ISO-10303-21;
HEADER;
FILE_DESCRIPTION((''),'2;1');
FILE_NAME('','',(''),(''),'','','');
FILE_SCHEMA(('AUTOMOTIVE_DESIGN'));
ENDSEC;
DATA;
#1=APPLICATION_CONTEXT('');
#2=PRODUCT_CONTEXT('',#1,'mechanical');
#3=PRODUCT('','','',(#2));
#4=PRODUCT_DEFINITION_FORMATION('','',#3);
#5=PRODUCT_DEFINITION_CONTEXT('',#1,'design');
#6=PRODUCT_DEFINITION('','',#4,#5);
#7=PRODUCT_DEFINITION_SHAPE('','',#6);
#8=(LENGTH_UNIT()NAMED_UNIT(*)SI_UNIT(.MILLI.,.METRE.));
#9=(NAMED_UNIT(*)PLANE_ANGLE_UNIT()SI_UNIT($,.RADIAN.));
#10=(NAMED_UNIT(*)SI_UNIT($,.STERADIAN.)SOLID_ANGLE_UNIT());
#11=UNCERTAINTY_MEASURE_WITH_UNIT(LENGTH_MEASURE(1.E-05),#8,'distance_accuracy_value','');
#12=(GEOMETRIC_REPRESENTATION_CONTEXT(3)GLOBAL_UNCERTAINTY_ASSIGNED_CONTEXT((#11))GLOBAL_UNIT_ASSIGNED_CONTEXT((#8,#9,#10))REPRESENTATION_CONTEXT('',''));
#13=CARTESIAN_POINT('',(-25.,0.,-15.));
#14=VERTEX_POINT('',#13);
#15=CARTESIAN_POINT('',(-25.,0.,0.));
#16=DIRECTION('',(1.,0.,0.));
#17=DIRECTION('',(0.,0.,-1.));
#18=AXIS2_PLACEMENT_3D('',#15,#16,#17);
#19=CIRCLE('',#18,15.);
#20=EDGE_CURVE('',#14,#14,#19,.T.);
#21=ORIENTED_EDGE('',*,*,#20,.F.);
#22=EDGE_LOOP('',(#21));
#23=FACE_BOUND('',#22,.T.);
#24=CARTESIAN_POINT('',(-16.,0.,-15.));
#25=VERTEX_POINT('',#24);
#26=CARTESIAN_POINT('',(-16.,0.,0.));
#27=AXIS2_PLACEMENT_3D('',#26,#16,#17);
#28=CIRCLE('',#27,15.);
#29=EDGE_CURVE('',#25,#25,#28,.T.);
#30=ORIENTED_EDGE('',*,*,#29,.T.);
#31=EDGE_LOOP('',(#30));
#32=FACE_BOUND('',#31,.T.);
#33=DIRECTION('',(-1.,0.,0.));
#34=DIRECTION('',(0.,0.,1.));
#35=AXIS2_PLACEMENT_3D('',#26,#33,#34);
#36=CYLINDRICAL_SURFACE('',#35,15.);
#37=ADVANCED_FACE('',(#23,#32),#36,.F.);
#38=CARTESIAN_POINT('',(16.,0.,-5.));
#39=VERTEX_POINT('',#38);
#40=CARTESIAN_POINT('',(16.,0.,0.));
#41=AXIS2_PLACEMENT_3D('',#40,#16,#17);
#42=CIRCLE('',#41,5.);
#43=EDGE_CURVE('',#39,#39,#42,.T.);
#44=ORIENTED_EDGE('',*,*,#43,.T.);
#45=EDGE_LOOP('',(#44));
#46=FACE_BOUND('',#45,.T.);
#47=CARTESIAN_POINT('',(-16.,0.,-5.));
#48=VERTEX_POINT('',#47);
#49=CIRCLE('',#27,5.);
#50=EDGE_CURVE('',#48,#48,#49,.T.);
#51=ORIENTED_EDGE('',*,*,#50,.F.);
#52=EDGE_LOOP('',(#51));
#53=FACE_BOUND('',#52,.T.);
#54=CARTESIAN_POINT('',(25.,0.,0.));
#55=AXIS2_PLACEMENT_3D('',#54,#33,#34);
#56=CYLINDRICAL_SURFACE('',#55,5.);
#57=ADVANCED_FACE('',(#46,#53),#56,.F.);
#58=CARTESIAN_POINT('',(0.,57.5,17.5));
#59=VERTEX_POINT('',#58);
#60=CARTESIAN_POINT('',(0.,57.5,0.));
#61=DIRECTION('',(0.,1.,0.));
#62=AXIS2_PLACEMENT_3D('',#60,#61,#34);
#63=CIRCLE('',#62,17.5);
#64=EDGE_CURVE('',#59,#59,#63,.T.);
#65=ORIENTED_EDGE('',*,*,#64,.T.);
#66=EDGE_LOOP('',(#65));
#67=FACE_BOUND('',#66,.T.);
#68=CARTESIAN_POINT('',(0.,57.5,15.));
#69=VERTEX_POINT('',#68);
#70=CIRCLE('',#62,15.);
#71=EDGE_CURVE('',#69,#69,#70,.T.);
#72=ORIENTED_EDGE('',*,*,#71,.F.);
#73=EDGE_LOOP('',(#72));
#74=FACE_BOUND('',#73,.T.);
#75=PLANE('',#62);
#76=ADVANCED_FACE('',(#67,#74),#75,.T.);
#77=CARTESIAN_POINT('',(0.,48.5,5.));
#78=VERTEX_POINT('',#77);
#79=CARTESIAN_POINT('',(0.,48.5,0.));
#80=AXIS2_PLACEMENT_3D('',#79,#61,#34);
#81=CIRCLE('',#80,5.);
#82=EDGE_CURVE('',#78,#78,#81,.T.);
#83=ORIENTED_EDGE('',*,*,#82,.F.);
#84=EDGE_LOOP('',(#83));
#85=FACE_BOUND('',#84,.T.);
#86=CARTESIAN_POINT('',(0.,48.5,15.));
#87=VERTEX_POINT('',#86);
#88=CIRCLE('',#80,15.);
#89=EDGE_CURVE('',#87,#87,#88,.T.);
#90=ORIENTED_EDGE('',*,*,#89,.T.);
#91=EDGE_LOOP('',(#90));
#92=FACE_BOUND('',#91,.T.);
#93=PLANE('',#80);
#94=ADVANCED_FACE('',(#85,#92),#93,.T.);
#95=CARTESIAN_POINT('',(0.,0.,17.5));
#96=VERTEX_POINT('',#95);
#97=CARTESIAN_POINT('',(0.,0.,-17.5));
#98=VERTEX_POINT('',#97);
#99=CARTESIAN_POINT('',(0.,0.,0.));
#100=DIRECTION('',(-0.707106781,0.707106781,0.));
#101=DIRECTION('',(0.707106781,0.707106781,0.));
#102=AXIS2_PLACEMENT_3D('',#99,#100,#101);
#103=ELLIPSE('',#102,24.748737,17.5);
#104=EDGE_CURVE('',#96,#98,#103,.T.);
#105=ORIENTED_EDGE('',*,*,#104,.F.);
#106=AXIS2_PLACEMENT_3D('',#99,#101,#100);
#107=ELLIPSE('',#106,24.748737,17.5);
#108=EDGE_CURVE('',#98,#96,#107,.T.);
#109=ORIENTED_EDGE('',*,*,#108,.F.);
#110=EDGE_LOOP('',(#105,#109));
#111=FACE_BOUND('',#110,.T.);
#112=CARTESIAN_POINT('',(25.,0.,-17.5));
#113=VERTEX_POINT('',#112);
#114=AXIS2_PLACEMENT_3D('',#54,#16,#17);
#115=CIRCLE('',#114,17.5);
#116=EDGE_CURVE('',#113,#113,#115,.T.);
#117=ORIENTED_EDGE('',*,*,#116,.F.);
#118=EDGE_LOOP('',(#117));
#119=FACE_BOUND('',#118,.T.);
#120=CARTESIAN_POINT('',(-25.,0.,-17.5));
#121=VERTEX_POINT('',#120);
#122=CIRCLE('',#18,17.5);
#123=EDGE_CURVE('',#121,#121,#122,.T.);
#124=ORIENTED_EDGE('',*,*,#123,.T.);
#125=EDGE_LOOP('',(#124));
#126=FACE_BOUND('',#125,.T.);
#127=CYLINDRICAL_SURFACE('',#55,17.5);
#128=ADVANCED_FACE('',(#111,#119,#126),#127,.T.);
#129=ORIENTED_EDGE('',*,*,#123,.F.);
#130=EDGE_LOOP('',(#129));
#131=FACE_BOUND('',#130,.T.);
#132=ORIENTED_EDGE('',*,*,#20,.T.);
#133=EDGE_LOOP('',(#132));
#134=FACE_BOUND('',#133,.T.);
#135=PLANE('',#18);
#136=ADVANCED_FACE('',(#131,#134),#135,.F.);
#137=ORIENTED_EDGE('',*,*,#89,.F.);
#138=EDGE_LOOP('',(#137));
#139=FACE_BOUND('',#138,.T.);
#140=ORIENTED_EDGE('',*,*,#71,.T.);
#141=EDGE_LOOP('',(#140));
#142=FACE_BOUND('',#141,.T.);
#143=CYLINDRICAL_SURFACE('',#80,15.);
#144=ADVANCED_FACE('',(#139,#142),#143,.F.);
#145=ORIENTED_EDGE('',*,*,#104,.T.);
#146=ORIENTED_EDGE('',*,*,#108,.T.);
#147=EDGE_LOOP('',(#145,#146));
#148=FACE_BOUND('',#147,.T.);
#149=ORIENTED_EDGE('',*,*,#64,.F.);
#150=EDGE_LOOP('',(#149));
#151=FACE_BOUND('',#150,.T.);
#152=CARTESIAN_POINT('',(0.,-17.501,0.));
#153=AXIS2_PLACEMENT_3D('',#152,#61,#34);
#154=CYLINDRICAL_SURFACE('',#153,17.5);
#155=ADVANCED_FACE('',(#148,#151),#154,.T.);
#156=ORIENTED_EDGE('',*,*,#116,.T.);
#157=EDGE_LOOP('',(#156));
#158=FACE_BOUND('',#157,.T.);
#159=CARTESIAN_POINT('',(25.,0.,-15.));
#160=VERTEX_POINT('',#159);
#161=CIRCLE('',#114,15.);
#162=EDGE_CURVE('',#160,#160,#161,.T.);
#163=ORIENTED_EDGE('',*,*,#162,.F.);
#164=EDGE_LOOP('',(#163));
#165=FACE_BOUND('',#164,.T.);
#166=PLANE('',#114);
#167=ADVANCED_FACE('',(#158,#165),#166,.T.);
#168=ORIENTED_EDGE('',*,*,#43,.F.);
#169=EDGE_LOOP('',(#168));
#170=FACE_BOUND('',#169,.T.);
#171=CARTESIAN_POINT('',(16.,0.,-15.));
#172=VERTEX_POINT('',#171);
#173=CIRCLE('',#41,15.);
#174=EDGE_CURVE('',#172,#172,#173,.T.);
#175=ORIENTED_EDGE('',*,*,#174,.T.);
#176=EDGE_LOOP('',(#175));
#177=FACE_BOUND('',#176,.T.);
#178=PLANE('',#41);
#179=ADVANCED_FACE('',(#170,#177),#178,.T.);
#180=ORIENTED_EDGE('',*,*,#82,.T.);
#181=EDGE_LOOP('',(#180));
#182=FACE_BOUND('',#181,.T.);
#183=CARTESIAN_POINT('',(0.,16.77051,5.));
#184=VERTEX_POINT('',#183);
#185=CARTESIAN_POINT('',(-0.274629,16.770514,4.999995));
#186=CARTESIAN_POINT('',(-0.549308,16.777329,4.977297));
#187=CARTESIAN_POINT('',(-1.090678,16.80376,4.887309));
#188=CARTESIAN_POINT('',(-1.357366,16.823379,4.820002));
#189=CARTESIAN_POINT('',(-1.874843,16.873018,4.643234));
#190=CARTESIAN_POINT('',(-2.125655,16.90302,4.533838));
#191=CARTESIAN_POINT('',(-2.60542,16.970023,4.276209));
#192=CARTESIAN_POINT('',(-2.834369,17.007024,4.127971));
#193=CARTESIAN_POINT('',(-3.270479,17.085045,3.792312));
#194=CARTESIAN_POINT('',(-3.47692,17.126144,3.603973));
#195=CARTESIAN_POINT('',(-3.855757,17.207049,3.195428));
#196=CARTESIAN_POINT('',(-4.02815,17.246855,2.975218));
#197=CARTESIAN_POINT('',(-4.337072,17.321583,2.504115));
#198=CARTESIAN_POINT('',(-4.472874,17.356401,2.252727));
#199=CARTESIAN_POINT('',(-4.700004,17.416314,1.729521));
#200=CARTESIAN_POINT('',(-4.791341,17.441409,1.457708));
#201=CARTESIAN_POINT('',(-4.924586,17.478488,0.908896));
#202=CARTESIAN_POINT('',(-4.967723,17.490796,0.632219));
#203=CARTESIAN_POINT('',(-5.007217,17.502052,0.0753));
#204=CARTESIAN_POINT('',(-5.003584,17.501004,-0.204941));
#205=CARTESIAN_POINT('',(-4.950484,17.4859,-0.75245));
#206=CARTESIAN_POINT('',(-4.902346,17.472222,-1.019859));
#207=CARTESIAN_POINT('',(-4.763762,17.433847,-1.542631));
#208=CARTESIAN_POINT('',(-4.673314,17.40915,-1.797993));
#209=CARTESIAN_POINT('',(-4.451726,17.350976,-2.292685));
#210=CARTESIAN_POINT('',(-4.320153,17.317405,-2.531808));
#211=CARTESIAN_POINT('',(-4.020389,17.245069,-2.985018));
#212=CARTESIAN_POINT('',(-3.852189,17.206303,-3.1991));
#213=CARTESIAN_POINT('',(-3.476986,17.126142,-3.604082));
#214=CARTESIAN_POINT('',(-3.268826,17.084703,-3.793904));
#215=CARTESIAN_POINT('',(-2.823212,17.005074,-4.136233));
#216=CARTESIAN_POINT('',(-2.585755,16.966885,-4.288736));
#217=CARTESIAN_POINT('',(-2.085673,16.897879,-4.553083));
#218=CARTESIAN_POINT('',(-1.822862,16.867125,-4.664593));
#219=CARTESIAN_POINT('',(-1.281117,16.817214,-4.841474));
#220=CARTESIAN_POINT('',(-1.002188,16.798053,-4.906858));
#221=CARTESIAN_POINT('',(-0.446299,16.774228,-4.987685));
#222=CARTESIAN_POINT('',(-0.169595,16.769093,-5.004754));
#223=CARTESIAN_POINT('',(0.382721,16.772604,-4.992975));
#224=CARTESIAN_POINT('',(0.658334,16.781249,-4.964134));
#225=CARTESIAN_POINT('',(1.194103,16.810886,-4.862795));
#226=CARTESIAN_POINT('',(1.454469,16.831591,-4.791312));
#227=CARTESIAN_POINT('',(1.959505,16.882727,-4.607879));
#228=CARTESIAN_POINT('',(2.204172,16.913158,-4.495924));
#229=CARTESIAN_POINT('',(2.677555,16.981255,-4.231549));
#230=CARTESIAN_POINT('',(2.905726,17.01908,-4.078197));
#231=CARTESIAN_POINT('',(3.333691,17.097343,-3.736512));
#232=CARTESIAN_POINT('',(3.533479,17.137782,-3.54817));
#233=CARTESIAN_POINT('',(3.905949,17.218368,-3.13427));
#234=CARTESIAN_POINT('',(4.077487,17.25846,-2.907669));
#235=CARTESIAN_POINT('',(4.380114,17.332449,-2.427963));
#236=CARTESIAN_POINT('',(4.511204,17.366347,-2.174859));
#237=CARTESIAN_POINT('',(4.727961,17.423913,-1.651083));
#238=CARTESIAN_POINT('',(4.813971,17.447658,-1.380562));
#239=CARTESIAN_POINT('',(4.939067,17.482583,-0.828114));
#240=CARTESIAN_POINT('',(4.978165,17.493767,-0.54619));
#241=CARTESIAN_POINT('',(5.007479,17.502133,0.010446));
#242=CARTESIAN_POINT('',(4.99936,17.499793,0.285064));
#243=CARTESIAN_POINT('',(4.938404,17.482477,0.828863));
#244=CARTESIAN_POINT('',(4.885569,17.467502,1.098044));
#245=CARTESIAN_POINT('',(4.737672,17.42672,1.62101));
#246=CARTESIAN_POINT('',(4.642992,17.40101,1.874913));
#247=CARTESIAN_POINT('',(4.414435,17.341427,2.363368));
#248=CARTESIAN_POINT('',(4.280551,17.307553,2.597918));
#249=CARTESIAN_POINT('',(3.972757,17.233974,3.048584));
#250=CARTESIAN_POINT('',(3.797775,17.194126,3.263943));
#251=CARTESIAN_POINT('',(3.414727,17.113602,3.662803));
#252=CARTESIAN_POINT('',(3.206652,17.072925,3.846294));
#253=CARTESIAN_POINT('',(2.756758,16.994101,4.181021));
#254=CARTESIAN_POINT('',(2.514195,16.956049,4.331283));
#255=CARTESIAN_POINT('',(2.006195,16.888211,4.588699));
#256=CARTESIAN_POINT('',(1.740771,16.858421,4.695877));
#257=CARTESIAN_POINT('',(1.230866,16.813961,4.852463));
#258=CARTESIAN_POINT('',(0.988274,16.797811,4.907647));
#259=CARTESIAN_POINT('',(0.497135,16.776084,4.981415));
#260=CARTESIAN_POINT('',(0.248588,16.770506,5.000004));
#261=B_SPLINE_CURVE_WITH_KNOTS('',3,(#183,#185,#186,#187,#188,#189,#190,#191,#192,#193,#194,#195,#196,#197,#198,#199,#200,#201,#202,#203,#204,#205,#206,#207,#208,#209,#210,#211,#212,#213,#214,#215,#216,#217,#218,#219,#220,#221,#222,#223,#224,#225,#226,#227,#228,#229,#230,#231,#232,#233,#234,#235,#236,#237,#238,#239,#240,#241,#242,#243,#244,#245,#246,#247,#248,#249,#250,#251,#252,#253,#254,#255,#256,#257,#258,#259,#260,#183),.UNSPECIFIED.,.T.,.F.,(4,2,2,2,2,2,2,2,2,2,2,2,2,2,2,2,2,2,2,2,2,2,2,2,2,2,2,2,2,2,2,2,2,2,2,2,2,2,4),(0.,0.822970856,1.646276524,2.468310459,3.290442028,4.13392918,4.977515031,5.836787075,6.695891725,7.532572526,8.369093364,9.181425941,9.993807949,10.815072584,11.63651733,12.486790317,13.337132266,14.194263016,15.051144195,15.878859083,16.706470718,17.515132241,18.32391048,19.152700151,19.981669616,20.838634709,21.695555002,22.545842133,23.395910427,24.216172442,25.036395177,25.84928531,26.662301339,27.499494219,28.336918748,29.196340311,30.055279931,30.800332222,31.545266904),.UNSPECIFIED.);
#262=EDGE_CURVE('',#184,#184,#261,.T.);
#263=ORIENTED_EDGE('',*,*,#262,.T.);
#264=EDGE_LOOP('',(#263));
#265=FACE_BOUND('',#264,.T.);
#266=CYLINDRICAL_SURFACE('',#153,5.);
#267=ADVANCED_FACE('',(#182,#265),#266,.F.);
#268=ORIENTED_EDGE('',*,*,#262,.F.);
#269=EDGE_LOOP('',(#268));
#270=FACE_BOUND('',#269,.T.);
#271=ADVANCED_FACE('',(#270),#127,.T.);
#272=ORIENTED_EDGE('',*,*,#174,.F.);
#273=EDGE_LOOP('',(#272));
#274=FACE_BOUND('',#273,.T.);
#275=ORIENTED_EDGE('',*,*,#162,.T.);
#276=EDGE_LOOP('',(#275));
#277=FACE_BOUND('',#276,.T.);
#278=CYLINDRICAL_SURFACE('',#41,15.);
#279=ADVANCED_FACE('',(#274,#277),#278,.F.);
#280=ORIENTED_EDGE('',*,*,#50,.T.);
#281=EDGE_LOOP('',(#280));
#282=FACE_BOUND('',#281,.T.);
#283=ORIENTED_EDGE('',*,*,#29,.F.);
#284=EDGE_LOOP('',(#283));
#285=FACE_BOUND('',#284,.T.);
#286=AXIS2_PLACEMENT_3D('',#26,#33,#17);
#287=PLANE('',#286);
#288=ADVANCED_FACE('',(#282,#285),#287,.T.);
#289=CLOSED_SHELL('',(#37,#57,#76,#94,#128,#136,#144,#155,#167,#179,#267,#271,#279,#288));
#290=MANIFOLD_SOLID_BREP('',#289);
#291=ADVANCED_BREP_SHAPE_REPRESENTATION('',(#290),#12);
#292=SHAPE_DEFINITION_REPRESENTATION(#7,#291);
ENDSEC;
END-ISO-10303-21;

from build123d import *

# Parameters (mm, degrees)
SKETCH2_R                = 17.5
SKETCH2_R_2              = 5
BOSS_EXTRUDE1_DEPTH      = 25
CUT_EXTRUDE1_START       = -9
SKETCH3_R                = 15
SKETCH3_R_2              = 5
CUT_EXTRUDE1_DEPTH       = 9
BOSS_EXTRUDE2_REACH      = 82.971
BOSS_EXTRUDE2_END_RADIUS = 17.5
SKETCH5_R                = 17.5
SKETCH5_R_2              = 5
SKETCH6_R                = 15
SKETCH6_R_2              = 5
CUT_EXTRUDE2_DEPTH       = 9


with BuildPart() as part:
    # Sketch2 → Boss-Extrude1 (new, symmetric)
    with BuildSketch(Plane(origin=(0, 0, 0), x_dir=(0, 0, -1), z_dir=(1, 0, 0))):
        Circle(SKETCH2_R)
        Circle(SKETCH2_R_2, mode=Mode.SUBTRACT)
    extrude(amount=BOSS_EXTRUDE1_DEPTH, both=True)

    # Sketch3 → Cut-Extrude1 (cut)
    with BuildSketch(Plane(origin=(25, 0, 0), x_dir=(0, 0, -1), z_dir=(1, 0, 0)).offset(CUT_EXTRUDE1_START)):
        Circle(SKETCH3_R)
        Circle(SKETCH3_R_2, mode=Mode.SUBTRACT)
    cut_extrude1 = extrude(amount=CUT_EXTRUDE1_DEPTH, mode=Mode.SUBTRACT)

    # Mirror1: Cut-Extrude1 across plane
    add(cut_extrude1.mirror(Plane(origin=(0, 0, 0), x_dir=(0, 0, 1), z_dir=(1, 0, 0))), mode=Mode.SUBTRACT)

    # Boss-Extrude2: up to this cylinder (the profile starts outside it)
    boss_extrude2_end = Plane(origin=(0, 0, 0), z_dir=(-1, 0, 0)) * Cylinder(BOSS_EXTRUDE2_END_RADIUS, 201.942, mode=Mode.PRIVATE)
    # Sketch5 → Boss-Extrude2 (add, up to the surface)
    with BuildSketch(Plane(origin=(0, 57.5, 0), x_dir=(1, 0, 0), z_dir=(0, 1, 0)), mode=Mode.PRIVATE) as boss_extrude2_sk1:
        with Locations(Location((0, 0, 0), (0, 0, 270))):
            Circle(SKETCH5_R)
        with Locations(Location((0, 0, 0), (0, 0, 270))):
            Circle(SKETCH5_R_2, mode=Mode.SUBTRACT)
    boss_extrude2_tool1 = extrude(boss_extrude2_sk1.sketch, amount=-BOSS_EXTRUDE2_REACH, mode=Mode.PRIVATE) - boss_extrude2_end
    add(boss_extrude2_tool1.solids().sort_by_distance((0, 57.5, -17.005025))[0])

    # Sketch6 → Cut-Extrude2 (cut)
    with BuildSketch(Plane(origin=(0, 57.5, 0), x_dir=(1, 0, 0), z_dir=(0, 1, 0))):
        with Locations(Location((0, 0, 0), (0, 0, 270))):
            Circle(SKETCH6_R)
        with Locations(Location((0, 0, 0), (0, 0, 270))):
            Circle(SKETCH6_R_2, mode=Mode.SUBTRACT)
    extrude(amount=-CUT_EXTRUDE2_DEPTH, mode=Mode.SUBTRACT)


solid = part.part
